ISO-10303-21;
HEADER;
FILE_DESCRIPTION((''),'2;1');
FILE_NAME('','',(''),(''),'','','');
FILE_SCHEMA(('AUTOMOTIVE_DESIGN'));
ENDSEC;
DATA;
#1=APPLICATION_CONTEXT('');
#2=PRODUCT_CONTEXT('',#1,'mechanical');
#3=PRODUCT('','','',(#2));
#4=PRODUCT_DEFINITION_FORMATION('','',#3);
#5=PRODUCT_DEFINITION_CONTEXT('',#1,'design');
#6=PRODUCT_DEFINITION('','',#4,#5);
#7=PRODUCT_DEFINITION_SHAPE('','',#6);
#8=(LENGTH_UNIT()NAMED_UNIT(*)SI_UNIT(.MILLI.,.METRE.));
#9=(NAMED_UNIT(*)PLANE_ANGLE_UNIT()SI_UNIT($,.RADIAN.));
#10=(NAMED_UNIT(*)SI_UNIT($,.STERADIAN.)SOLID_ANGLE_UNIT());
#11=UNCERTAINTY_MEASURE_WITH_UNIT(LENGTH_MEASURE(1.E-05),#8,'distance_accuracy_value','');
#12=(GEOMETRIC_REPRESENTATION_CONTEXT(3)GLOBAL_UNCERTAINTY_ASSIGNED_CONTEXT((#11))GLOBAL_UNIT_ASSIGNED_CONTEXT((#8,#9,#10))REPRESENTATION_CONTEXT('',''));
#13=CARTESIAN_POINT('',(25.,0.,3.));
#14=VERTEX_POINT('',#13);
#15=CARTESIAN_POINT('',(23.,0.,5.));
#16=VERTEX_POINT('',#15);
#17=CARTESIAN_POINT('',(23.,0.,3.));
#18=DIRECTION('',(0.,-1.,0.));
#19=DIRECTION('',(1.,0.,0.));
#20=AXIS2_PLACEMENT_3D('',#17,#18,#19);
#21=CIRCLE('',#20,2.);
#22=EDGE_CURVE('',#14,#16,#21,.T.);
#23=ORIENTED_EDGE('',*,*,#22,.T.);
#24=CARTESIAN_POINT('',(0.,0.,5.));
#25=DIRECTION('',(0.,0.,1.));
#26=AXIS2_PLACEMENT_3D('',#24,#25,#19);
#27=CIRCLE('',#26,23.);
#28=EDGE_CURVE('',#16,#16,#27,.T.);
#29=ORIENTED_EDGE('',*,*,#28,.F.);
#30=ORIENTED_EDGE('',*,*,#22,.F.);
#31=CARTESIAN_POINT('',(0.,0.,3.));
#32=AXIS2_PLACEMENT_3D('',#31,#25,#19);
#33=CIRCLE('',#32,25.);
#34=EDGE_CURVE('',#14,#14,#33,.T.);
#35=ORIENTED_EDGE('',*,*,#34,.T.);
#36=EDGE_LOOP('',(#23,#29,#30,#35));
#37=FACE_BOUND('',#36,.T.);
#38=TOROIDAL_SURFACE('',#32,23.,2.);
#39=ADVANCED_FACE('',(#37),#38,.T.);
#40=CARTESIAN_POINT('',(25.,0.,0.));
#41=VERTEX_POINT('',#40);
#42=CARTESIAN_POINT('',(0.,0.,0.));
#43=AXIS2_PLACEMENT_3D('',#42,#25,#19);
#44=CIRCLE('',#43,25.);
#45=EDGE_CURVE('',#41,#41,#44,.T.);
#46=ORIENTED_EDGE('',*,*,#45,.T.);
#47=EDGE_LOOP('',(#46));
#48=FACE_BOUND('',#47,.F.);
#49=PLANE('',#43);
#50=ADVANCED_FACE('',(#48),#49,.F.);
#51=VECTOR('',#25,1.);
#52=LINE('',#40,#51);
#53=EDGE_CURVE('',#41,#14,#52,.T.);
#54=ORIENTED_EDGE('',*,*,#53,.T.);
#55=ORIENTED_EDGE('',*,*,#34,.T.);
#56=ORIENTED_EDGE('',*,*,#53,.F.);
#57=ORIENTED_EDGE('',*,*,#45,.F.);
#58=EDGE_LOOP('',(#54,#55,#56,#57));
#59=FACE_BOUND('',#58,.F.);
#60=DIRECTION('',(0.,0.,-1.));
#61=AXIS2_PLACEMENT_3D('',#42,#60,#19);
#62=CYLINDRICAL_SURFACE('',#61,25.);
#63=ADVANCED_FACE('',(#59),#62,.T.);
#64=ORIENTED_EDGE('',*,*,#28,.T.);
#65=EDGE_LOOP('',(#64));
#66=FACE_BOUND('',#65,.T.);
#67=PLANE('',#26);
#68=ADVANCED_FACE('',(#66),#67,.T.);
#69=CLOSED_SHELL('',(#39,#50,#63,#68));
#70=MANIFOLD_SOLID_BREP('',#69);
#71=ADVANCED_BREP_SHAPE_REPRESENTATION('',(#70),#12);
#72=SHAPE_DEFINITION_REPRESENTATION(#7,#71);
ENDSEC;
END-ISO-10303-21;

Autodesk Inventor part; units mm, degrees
ref_plane "YZ Plane" through (0, 0, 0) normal (1, 0, 0) x (0, 1, 0)
ref_plane "XZ Plane" through (0, 0, 0) normal (0, 1, 0) x (-1, 0, 0)
ref_plane "XY Plane" through (0, 0, 0) normal (0, 0, 1) x (1, 0, 0)
sketch "草圖1" plane through (0, 0, 0) normal (0, 0, 1) x (1, 0, 0)
  circle A0 centre (0, 0) radius 25
  dimension "d0" = 50
extrude "擠出1" add sketch "草圖1" along normal blind 5
fillet "圓角1" radius 2 1 edges at (-25, 0, 5)
properties part number "公仔底作"
